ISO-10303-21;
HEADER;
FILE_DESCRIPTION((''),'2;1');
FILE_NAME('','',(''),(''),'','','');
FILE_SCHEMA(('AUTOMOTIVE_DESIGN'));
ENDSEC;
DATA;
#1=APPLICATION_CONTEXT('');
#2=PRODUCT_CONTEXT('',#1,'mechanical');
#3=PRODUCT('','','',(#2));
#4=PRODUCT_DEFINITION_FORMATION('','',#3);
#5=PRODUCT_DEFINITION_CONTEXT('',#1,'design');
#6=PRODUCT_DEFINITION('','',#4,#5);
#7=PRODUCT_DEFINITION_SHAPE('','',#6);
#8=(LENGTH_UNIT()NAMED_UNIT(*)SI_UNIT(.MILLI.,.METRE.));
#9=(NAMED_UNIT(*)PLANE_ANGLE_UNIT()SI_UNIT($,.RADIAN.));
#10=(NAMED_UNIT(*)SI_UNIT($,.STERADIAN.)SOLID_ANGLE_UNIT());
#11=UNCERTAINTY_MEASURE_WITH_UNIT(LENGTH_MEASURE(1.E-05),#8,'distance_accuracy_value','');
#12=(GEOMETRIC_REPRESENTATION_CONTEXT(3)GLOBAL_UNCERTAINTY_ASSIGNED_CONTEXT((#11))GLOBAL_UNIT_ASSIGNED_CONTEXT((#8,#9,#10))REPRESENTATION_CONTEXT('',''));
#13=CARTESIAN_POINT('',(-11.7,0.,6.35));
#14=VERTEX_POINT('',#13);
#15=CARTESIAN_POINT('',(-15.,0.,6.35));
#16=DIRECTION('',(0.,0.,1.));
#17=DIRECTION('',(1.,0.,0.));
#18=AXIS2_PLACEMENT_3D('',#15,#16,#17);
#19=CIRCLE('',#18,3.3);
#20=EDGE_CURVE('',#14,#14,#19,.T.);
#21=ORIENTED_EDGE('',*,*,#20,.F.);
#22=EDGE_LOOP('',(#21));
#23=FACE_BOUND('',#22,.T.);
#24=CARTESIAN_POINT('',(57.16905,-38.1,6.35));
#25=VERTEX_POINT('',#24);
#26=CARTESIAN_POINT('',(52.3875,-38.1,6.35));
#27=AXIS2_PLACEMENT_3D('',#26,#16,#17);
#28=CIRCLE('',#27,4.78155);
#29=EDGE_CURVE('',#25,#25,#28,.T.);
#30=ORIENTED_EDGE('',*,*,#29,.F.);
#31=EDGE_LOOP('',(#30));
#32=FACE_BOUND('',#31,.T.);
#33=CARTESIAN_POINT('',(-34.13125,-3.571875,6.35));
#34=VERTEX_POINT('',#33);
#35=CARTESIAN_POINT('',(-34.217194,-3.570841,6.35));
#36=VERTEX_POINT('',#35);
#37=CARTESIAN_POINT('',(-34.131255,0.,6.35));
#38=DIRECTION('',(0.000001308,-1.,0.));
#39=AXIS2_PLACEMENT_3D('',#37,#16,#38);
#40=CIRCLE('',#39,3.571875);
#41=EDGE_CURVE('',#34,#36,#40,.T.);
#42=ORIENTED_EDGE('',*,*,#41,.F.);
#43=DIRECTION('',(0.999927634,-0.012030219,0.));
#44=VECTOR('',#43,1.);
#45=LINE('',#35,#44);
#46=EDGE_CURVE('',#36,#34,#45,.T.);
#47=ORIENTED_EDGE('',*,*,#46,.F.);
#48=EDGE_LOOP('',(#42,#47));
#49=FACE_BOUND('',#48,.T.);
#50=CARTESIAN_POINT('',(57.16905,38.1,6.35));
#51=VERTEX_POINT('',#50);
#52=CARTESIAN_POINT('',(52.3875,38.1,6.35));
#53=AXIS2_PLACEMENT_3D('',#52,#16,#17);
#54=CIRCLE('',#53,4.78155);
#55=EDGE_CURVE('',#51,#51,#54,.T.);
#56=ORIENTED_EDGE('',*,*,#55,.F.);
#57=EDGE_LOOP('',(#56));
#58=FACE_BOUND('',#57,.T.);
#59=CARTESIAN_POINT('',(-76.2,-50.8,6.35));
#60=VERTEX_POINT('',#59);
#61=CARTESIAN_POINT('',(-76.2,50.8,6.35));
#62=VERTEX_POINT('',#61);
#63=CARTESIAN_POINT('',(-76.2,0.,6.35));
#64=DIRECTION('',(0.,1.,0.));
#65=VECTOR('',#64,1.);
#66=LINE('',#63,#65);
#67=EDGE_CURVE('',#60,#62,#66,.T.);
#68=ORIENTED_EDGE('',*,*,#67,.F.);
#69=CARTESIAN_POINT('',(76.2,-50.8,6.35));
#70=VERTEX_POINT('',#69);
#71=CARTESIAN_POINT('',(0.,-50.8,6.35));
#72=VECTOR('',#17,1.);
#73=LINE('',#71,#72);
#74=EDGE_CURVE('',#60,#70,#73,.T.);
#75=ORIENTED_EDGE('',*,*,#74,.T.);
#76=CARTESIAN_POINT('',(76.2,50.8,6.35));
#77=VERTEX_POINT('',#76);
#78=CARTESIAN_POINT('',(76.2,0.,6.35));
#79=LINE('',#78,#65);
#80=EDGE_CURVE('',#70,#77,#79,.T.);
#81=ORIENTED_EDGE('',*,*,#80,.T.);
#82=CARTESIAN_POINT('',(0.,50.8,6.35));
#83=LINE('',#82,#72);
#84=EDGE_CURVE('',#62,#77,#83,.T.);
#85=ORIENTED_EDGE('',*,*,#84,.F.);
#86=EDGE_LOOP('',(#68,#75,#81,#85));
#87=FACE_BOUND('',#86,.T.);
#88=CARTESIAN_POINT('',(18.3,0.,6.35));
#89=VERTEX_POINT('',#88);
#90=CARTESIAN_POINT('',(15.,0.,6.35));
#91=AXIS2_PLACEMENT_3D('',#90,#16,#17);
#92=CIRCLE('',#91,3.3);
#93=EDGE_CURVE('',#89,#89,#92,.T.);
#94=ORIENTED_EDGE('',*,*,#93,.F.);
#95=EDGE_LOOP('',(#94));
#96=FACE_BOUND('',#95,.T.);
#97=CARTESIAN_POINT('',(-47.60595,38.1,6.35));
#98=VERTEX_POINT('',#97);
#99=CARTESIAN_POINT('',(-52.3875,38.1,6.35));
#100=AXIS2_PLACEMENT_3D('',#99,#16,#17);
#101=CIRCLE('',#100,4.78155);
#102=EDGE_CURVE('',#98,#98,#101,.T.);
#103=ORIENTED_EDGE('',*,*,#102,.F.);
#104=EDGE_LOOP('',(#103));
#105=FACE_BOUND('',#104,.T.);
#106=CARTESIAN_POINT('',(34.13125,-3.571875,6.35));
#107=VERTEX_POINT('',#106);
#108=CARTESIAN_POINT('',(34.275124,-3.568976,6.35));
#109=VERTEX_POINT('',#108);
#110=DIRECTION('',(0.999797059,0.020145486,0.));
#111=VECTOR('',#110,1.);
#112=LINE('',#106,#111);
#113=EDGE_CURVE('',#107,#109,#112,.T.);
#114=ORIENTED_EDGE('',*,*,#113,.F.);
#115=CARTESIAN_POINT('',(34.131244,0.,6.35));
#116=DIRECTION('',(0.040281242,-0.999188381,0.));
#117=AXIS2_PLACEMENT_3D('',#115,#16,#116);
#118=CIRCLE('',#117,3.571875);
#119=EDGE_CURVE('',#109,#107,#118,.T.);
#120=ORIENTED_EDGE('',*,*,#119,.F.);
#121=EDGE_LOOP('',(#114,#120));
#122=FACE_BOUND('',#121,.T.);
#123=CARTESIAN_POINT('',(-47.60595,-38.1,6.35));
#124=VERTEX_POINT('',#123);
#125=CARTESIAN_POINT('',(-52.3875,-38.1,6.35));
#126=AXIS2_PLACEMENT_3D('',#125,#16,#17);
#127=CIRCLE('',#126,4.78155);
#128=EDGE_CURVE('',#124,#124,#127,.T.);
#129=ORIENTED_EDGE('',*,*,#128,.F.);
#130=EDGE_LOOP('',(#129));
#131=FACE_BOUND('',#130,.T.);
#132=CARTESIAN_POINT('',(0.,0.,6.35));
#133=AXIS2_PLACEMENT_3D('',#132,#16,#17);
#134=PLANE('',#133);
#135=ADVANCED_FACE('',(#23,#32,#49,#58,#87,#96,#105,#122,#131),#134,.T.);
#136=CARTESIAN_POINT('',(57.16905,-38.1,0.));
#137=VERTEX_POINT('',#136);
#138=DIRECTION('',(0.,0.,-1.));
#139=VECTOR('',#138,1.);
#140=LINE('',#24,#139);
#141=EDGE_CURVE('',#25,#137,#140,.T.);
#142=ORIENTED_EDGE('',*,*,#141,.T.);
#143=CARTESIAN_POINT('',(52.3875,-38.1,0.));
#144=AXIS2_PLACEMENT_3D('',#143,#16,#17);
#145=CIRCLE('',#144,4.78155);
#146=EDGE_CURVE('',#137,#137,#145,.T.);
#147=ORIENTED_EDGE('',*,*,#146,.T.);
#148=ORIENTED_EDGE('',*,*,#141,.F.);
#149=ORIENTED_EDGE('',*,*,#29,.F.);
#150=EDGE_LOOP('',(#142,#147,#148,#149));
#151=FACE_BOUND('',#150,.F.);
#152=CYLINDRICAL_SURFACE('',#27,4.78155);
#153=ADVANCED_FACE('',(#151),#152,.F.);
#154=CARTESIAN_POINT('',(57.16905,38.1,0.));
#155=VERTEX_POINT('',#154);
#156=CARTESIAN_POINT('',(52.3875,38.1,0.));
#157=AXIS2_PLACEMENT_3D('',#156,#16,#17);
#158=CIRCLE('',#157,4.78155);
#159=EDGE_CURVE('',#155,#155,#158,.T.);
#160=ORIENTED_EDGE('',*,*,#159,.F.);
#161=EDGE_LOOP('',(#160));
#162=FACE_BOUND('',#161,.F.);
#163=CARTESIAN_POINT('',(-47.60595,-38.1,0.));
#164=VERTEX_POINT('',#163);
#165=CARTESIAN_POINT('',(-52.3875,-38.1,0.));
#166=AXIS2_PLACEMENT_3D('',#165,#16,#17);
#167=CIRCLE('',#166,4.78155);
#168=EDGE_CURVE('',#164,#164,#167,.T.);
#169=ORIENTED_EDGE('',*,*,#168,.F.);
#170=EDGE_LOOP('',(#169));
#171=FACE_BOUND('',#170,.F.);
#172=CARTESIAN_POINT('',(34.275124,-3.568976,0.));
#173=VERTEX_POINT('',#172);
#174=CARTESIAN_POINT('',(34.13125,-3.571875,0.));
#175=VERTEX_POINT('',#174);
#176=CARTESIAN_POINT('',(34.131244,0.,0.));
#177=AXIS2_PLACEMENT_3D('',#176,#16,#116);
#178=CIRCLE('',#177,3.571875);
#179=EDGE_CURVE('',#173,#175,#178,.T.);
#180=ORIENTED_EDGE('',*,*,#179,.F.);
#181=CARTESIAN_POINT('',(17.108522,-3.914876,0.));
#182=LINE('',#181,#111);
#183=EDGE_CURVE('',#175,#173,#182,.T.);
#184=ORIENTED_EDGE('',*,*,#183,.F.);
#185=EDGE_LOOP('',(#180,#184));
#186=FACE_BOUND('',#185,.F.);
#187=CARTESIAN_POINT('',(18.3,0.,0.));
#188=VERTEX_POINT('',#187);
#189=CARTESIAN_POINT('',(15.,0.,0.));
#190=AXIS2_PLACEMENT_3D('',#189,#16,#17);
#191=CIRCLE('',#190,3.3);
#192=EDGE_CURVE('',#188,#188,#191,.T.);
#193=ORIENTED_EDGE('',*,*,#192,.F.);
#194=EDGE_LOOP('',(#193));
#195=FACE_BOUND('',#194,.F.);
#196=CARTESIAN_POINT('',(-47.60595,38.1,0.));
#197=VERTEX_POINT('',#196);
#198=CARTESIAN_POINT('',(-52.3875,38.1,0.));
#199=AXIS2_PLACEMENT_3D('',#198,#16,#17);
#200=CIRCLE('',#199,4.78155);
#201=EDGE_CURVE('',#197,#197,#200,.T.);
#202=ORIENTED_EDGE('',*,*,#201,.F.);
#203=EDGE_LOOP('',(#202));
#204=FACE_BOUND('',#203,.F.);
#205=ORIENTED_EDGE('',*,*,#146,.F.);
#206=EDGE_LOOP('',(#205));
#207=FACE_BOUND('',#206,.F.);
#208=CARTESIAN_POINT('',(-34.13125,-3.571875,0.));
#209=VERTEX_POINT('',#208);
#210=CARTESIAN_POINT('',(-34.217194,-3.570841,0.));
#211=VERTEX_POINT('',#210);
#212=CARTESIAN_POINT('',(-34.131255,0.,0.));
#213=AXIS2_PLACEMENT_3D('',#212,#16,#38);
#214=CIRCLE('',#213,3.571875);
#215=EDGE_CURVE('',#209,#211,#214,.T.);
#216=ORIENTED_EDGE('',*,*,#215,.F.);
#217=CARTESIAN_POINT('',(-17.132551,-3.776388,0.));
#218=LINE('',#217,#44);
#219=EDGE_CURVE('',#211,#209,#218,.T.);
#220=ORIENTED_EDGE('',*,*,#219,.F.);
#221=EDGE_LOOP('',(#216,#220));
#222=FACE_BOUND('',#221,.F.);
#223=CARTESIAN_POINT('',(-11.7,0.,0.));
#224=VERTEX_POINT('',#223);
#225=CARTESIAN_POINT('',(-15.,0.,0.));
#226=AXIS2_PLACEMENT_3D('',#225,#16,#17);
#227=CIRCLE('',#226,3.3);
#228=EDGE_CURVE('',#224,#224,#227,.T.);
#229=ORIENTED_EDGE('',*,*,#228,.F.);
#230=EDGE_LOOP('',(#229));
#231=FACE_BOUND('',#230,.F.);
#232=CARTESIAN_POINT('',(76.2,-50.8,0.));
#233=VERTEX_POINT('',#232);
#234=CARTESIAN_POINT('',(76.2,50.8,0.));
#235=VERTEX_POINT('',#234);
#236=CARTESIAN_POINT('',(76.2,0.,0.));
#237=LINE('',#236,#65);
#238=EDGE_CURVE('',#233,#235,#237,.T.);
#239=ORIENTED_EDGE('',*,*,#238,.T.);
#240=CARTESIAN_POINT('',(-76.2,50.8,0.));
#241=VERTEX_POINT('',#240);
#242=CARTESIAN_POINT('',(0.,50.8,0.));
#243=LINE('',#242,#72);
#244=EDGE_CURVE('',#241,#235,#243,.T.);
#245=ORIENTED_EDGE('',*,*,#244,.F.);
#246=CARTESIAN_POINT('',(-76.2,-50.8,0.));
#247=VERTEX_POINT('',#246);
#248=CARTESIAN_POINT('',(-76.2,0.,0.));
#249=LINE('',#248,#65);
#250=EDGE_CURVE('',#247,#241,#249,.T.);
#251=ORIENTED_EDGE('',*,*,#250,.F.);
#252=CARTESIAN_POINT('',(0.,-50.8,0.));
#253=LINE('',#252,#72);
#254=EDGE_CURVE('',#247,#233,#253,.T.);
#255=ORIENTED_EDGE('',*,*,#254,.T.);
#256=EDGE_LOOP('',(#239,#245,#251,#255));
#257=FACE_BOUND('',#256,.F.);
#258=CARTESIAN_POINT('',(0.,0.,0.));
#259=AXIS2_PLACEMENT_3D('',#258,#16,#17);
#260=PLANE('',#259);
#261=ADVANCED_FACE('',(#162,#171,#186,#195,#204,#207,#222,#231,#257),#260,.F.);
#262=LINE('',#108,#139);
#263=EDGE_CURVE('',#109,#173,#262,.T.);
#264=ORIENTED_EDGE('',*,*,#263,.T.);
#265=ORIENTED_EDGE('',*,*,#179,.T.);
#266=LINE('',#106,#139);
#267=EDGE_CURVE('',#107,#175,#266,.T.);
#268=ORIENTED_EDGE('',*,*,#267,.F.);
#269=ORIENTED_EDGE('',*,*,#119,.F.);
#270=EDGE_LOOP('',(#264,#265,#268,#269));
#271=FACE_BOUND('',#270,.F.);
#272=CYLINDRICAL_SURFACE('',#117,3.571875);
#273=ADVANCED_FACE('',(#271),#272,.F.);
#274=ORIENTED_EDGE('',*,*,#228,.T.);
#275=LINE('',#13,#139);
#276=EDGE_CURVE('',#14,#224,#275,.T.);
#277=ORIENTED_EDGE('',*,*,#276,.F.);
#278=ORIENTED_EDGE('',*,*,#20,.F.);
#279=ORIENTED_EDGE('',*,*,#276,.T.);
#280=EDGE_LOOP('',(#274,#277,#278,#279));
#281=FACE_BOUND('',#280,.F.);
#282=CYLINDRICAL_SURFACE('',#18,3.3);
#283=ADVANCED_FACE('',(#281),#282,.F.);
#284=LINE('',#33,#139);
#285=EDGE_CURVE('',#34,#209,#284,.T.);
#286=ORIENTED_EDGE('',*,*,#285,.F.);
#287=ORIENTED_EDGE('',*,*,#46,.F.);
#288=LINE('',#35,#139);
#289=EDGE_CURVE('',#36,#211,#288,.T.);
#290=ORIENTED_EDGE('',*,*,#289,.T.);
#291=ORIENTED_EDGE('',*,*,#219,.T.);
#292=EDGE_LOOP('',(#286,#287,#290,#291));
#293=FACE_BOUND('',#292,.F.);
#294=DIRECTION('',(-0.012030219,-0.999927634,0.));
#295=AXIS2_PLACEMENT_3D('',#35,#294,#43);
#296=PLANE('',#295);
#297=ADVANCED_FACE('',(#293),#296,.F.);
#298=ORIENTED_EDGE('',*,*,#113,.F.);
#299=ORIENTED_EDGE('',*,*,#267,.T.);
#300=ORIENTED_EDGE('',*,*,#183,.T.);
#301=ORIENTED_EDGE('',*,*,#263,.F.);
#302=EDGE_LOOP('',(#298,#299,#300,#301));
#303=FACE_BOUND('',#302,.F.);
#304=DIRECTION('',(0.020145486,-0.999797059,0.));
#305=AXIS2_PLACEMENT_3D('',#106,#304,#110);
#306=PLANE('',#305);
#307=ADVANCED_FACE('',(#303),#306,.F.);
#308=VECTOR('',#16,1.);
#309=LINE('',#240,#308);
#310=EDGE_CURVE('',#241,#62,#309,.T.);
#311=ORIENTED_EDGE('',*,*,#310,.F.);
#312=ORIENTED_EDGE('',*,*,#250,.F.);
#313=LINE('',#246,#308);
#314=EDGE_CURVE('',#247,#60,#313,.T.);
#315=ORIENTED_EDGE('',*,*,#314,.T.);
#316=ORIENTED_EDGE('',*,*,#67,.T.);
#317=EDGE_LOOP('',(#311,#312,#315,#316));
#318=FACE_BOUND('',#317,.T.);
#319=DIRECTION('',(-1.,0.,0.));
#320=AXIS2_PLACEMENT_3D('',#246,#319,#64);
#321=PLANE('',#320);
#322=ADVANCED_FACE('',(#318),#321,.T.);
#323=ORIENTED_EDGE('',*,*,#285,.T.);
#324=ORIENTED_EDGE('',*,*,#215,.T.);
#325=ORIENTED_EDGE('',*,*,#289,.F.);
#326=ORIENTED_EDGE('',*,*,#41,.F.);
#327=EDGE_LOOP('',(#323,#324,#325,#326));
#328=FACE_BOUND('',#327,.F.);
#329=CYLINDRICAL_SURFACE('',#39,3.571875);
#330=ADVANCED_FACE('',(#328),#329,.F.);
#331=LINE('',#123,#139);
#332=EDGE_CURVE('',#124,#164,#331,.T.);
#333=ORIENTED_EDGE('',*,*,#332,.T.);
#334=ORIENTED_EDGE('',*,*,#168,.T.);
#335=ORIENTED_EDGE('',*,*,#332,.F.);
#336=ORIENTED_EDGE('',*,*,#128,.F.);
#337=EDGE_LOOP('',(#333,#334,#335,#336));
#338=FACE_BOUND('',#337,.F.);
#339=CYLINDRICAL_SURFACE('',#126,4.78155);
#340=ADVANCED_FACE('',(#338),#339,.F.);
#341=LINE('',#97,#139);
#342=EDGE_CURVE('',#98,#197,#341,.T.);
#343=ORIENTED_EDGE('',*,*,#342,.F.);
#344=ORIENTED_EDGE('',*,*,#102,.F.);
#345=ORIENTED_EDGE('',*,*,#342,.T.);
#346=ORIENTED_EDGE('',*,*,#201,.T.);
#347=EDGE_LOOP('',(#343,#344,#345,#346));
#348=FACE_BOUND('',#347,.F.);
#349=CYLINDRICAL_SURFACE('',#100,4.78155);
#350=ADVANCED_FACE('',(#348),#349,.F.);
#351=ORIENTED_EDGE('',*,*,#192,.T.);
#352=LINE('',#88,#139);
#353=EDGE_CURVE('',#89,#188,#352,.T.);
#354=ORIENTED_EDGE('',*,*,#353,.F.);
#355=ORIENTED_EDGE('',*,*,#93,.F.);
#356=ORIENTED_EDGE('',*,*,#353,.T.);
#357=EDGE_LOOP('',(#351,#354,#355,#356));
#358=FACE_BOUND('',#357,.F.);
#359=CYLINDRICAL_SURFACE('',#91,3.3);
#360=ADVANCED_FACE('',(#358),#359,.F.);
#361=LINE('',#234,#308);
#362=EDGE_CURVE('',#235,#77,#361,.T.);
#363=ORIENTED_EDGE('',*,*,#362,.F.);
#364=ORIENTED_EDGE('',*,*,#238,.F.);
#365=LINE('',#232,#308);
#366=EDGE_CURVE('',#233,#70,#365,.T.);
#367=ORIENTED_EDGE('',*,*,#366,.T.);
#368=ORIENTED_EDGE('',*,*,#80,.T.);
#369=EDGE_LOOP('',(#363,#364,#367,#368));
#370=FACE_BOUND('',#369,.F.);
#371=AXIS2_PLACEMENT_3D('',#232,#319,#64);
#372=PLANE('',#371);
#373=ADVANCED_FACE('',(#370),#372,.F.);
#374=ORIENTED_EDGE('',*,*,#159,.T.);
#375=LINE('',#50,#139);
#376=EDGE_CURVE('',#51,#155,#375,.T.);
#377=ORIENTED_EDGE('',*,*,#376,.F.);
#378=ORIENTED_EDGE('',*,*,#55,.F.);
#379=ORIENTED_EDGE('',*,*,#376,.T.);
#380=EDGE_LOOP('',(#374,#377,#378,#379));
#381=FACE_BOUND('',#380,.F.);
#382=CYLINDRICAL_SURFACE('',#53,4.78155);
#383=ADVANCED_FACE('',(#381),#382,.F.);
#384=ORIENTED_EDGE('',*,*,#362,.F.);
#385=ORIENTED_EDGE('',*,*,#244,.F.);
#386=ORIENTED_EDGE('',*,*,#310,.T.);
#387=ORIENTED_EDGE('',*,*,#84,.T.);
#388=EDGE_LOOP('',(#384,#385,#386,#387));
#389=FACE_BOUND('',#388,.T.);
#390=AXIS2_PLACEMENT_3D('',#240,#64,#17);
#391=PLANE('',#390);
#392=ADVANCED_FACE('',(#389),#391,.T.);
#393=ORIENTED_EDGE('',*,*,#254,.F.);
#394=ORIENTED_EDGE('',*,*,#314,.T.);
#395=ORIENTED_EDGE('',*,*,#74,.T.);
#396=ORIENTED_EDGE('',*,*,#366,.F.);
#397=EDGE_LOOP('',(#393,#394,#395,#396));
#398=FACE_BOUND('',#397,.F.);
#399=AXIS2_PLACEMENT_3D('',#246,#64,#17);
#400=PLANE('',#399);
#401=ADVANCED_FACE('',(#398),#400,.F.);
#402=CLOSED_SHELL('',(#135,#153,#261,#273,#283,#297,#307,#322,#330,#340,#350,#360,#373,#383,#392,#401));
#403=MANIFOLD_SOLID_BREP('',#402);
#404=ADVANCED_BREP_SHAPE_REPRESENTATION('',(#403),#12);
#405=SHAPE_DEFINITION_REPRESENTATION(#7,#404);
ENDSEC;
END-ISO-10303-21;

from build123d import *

# Parameters (mm, degrees)
F0_W     = 152.4
F0_H     = 101.6
F1_DEPTH = 6.35
F2_R     = 4.78155
F3_DEPTH = 6.35
F5_DEPTH = 6.351
F6_R     = 3.3
F7_DEPTH = 6.351


with BuildPart() as f1:
    # F0 (on Top) → F1 (new body)
    with BuildSketch(Plane.XY):
        Rectangle(F0_W, F0_H)
    extrude(amount=F1_DEPTH)

    # F2 (on face) → F3 (cut, through all)
    with BuildSketch(Plane.XY.offset(6.35)):
        with Locations((-52.3875, 38.1)):
            Circle(F2_R)
        with Locations((52.3875, 38.1)):
            Circle(F2_R)
        with Locations((-52.3875, -38.1)):
            Circle(F2_R)
        with Locations((52.3875, -38.1)):
            Circle(F2_R)
    extrude(amount=-F3_DEPTH, mode=Mode.SUBTRACT)

    # F4 (on face) → F5 (cut, through all)
    with BuildSketch(Plane.XY.offset(6.35)):
        with BuildLine():
            Line((-34.217194, -3.570841), (-34.13125, -3.571875))
            ThreePointArc((-34.13125, -3.571875), (-34.088275, 3.571616), (-34.217194, -3.570841))
        make_face()
        with BuildLine():
            Line((34.13125, -3.571875), (34.275124, -3.568976))
            ThreePointArc((34.275124, -3.568976), (34.059298, 3.57115), (34.13125, -3.571875))
        make_face()
    extrude(amount=-F5_DEPTH, mode=Mode.SUBTRACT)

    # F6 (on face) → F7 (cut, through all)
    with BuildSketch(Plane.XY.offset(6.35)):
        with Locations((-15, 0)):
            Circle(F6_R)
        with Locations((15, 0)):
            Circle(F6_R)
    extrude(amount=-F7_DEPTH, mode=Mode.SUBTRACT)


solid = f1.part
